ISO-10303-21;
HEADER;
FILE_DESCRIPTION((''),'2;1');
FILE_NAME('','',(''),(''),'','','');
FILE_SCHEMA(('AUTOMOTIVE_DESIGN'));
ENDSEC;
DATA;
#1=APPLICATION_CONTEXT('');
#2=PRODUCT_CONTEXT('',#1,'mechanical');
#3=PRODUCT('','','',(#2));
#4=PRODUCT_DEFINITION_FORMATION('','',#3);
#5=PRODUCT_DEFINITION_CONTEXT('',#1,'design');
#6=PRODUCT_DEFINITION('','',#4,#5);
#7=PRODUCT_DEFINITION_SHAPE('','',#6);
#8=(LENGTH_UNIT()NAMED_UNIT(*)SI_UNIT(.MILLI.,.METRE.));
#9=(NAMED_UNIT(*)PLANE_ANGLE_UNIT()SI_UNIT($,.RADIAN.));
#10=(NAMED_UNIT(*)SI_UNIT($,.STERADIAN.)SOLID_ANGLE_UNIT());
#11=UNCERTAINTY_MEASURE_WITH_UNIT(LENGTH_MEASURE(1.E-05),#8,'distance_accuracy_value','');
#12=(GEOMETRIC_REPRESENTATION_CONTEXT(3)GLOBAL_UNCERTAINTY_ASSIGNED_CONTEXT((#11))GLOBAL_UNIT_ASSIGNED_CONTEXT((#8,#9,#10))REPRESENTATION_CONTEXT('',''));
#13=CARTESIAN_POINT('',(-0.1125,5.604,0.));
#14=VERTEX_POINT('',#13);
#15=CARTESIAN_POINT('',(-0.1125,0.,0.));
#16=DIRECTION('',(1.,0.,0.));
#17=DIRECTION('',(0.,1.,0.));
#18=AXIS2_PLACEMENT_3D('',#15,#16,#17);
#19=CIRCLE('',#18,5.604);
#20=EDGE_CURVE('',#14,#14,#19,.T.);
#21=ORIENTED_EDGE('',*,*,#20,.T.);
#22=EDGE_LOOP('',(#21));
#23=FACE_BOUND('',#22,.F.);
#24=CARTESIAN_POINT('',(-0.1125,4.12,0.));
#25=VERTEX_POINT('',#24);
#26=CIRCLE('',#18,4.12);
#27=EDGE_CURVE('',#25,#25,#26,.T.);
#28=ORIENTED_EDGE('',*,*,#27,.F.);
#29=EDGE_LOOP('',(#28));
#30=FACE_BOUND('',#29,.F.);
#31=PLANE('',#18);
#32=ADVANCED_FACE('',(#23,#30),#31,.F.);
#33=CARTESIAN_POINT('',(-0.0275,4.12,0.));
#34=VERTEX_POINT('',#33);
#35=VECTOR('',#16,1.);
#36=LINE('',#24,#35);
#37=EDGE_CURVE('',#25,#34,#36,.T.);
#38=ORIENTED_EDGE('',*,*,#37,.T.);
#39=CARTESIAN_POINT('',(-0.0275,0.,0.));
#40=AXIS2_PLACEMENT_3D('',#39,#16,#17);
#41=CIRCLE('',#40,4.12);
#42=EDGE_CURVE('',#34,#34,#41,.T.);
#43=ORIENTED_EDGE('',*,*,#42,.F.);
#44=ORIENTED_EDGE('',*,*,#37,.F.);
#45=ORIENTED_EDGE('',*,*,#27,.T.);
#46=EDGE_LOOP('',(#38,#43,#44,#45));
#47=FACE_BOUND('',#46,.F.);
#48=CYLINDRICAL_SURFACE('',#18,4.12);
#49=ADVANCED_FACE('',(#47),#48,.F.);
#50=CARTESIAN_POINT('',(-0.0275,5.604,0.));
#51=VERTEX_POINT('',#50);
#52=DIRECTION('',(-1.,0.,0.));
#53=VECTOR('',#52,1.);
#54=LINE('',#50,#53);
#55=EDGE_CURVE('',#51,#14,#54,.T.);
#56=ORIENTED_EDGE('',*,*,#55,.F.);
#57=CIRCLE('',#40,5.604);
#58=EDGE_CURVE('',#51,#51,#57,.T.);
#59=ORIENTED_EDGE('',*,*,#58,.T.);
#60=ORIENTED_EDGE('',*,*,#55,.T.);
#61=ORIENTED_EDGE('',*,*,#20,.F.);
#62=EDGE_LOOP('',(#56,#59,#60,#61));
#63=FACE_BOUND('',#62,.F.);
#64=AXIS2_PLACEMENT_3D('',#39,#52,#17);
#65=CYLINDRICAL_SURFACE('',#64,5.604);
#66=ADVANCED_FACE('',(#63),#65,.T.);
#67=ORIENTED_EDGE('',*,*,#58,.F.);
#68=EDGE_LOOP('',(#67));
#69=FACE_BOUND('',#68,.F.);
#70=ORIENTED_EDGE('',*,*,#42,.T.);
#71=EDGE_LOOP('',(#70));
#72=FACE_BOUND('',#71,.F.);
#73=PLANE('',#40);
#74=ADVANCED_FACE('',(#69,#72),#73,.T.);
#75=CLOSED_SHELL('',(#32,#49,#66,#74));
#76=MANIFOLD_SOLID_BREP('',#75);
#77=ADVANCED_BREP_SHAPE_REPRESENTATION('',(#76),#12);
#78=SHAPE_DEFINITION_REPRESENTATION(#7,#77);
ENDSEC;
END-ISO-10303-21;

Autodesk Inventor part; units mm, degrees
sketch "Sketch_1" plane through (0, 0, 0) normal (0, 0, 1) x (1, 0, 0)
  line L0 (-0.0275, 0) -> (-0.1125, 0)
  line L1 (-0.1125, 5.604) -> (-0.1125, 4.12)
  line L2 (-0.1125, 4.12) -> (-0.0275, 4.12)
  line L3 (-0.0275, 4.12) -> (-0.0275, 5.604)
  line L4 (-0.0275, 5.604) -> (-0.1125, 5.604)
revolve "Revolution1" add sketch "Sketch_1" angle 360 about axis through (-0.0275, 0, 0) along (1, 0, 0)
ref_plane "mss_s_XY" through (0, 0, 0) normal (1, 0, 0) x (0, 0, -1)
ref_plane "mss_s_YZ" through (0, 0, 0) normal (0, 0, -1) x (0, 1, 0)
ref_plane "mss_s_ZX" through (0, 0, 0) normal (0, 1, 0) x (1, 0, 0)
properties part number "W686ZZ Shield"
